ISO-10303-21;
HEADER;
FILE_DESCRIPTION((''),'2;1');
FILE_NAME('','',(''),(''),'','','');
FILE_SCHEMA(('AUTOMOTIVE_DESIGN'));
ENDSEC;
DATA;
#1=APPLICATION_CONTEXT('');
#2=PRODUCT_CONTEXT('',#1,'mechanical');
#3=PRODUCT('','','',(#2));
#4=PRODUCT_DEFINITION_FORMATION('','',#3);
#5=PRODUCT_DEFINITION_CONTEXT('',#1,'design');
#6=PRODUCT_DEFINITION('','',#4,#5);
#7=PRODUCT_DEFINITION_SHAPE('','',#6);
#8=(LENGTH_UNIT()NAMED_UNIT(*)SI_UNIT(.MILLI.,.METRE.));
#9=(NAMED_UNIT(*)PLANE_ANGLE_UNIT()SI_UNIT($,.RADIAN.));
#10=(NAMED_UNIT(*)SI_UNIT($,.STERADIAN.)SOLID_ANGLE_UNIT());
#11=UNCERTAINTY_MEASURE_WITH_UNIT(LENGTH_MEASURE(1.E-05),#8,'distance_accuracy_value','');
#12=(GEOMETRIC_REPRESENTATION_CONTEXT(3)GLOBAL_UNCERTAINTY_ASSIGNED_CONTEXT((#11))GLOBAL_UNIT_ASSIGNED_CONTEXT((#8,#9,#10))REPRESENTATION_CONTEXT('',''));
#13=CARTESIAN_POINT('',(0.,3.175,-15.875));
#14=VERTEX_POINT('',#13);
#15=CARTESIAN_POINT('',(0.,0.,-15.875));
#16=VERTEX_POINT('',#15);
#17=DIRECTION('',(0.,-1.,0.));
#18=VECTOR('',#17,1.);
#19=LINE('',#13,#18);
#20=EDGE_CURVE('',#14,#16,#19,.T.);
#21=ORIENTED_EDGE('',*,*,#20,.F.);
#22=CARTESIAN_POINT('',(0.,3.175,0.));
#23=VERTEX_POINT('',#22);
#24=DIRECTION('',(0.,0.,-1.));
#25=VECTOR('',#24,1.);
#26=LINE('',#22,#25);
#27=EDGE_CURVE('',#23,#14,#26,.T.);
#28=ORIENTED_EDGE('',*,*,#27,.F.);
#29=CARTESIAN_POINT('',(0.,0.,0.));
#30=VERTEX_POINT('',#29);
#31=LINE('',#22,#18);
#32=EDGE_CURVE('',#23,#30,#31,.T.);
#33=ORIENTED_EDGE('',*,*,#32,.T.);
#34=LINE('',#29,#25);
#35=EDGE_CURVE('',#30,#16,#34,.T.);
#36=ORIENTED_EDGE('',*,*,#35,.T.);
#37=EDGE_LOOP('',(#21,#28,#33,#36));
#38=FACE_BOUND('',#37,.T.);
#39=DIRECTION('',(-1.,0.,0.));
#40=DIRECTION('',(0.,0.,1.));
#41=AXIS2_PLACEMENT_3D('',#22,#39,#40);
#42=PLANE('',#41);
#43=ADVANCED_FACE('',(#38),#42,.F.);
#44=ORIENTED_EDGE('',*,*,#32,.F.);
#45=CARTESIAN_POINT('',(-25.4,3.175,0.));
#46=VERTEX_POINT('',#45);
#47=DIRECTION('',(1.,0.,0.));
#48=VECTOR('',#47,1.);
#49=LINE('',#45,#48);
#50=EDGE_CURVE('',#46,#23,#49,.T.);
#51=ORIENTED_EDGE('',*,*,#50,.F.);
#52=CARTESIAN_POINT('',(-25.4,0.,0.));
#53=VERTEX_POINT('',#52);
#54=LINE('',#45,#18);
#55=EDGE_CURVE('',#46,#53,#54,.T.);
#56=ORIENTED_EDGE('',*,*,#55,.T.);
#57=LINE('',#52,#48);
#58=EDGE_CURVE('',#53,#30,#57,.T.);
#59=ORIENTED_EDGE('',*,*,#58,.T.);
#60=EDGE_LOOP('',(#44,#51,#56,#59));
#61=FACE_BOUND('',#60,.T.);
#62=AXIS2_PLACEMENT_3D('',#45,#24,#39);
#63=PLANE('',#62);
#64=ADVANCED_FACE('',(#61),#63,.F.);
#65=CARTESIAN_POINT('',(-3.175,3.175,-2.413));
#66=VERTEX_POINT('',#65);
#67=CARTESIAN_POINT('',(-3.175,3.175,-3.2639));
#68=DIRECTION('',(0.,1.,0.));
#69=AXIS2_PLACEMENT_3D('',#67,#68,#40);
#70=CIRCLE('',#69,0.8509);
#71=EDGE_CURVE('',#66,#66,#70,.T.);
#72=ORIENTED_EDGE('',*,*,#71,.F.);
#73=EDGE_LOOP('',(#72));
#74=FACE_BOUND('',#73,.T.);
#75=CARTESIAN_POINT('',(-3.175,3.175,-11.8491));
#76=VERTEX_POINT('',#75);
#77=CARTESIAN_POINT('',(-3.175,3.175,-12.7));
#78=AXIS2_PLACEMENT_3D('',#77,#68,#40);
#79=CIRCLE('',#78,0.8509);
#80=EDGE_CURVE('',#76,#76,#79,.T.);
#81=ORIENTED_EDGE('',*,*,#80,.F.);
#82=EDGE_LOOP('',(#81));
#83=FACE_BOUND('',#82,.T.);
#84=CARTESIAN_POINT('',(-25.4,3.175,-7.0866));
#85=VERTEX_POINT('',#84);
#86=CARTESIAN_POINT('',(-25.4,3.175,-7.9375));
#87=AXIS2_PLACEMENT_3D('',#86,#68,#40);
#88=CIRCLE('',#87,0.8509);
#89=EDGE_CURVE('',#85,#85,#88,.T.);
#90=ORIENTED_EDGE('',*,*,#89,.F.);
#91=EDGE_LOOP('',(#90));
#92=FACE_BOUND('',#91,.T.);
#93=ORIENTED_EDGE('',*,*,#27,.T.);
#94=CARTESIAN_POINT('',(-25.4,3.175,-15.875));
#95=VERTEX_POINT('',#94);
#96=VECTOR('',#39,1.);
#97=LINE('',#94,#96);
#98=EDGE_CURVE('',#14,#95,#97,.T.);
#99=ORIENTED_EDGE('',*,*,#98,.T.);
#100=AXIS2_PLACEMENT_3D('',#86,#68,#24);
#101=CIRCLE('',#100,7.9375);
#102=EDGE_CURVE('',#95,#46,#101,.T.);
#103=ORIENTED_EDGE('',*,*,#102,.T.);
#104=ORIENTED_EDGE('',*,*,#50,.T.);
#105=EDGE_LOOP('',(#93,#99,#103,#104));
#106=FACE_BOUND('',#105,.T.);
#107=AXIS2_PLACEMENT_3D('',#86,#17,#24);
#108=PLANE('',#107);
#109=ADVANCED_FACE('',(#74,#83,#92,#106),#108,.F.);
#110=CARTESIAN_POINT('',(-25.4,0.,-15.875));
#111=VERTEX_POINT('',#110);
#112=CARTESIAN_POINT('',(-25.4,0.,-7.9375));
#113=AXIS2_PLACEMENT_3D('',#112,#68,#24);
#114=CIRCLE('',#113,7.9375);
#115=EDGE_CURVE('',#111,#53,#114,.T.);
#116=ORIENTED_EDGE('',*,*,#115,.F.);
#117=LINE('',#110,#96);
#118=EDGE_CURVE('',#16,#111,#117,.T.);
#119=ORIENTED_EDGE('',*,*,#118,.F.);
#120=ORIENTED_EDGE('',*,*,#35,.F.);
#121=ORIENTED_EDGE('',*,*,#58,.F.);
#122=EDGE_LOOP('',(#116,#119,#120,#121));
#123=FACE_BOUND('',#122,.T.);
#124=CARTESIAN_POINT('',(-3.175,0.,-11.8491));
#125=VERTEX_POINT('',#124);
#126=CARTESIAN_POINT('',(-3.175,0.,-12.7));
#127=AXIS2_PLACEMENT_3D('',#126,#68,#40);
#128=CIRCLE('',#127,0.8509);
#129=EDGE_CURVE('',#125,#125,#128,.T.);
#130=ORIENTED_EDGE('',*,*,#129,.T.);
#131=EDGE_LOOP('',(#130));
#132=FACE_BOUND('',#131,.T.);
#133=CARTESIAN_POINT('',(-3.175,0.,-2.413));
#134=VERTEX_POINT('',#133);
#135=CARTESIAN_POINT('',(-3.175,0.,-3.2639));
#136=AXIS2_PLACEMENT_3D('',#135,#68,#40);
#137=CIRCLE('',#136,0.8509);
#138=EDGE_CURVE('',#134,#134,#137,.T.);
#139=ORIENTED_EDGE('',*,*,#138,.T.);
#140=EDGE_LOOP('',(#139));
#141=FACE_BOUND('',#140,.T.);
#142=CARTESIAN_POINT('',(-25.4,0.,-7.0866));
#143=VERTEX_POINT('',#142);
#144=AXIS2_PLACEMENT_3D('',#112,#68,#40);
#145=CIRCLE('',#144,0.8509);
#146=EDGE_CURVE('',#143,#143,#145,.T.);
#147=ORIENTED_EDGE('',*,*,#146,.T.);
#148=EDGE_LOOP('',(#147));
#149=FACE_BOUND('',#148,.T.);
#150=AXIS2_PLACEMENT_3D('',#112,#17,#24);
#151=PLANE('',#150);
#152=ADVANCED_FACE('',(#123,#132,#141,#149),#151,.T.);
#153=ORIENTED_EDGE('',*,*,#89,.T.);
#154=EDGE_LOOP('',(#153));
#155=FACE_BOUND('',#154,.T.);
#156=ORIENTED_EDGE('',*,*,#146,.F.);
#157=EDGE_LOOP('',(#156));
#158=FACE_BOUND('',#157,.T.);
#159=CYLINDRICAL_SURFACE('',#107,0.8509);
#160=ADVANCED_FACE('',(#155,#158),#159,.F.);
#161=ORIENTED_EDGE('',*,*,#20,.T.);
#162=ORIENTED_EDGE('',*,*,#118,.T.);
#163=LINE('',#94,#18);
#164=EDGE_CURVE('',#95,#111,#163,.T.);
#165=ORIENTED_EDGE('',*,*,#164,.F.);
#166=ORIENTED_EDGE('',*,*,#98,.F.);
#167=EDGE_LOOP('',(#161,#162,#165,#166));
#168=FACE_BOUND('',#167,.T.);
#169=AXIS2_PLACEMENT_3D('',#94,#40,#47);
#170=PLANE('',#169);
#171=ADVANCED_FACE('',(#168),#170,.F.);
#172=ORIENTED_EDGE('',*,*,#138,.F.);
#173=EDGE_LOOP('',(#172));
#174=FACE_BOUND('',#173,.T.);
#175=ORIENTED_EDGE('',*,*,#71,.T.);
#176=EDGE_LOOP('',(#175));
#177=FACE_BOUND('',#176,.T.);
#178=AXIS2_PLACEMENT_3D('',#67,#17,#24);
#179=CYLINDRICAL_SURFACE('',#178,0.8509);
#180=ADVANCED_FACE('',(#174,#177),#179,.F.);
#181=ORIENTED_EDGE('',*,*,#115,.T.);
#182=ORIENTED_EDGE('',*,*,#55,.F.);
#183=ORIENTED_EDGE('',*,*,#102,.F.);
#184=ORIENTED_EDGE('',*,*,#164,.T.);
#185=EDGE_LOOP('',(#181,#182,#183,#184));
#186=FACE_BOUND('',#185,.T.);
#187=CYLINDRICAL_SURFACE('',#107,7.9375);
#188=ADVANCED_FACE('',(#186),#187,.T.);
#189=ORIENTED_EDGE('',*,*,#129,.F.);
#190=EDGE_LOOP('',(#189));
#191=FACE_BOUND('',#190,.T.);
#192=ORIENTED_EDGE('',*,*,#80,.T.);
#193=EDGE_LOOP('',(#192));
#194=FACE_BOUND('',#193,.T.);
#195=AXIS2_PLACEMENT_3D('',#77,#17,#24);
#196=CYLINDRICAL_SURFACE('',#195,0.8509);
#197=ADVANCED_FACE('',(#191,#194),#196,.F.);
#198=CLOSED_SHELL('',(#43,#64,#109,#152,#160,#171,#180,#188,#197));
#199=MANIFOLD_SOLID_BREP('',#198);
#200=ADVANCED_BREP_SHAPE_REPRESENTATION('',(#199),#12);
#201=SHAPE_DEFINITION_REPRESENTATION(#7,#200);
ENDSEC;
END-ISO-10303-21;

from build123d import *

# Parameters (mm, degrees)
SKETCH2_R           = 0.8509
BOSS_EXTRUDE1_DEPTH = 3.175


with BuildPart() as part:
    # Sketch2 → Boss-Extrude1 (new body)
    with BuildSketch(Plane(origin=(0, 0, 0), x_dir=(1, 0, 0), z_dir=(0, 1, 0))):
        with BuildLine():
            Line((0, 0), (0, 15.875))
            Line((0, 15.875), (-25.4, 15.875))
            ThreePointArc((-25.4, 15.875), (-33.3375, 7.9375), (-25.4, 0))
            Line((-25.4, 0), (0, 0))
        make_face()
        with Locations(Location((-25.4, 7.9375, 0), (0, 0, 270))):
            Circle(SKETCH2_R, mode=Mode.SUBTRACT)
        with Locations(Location((-3.175, 12.7, 0), (0, 0, 270))):
            Circle(SKETCH2_R, mode=Mode.SUBTRACT)
        with Locations(Location((-3.175, 3.2639, 0), (0, 0, 270))):
            Circle(SKETCH2_R, mode=Mode.SUBTRACT)
    extrude(amount=BOSS_EXTRUDE1_DEPTH)


solid = part.part
